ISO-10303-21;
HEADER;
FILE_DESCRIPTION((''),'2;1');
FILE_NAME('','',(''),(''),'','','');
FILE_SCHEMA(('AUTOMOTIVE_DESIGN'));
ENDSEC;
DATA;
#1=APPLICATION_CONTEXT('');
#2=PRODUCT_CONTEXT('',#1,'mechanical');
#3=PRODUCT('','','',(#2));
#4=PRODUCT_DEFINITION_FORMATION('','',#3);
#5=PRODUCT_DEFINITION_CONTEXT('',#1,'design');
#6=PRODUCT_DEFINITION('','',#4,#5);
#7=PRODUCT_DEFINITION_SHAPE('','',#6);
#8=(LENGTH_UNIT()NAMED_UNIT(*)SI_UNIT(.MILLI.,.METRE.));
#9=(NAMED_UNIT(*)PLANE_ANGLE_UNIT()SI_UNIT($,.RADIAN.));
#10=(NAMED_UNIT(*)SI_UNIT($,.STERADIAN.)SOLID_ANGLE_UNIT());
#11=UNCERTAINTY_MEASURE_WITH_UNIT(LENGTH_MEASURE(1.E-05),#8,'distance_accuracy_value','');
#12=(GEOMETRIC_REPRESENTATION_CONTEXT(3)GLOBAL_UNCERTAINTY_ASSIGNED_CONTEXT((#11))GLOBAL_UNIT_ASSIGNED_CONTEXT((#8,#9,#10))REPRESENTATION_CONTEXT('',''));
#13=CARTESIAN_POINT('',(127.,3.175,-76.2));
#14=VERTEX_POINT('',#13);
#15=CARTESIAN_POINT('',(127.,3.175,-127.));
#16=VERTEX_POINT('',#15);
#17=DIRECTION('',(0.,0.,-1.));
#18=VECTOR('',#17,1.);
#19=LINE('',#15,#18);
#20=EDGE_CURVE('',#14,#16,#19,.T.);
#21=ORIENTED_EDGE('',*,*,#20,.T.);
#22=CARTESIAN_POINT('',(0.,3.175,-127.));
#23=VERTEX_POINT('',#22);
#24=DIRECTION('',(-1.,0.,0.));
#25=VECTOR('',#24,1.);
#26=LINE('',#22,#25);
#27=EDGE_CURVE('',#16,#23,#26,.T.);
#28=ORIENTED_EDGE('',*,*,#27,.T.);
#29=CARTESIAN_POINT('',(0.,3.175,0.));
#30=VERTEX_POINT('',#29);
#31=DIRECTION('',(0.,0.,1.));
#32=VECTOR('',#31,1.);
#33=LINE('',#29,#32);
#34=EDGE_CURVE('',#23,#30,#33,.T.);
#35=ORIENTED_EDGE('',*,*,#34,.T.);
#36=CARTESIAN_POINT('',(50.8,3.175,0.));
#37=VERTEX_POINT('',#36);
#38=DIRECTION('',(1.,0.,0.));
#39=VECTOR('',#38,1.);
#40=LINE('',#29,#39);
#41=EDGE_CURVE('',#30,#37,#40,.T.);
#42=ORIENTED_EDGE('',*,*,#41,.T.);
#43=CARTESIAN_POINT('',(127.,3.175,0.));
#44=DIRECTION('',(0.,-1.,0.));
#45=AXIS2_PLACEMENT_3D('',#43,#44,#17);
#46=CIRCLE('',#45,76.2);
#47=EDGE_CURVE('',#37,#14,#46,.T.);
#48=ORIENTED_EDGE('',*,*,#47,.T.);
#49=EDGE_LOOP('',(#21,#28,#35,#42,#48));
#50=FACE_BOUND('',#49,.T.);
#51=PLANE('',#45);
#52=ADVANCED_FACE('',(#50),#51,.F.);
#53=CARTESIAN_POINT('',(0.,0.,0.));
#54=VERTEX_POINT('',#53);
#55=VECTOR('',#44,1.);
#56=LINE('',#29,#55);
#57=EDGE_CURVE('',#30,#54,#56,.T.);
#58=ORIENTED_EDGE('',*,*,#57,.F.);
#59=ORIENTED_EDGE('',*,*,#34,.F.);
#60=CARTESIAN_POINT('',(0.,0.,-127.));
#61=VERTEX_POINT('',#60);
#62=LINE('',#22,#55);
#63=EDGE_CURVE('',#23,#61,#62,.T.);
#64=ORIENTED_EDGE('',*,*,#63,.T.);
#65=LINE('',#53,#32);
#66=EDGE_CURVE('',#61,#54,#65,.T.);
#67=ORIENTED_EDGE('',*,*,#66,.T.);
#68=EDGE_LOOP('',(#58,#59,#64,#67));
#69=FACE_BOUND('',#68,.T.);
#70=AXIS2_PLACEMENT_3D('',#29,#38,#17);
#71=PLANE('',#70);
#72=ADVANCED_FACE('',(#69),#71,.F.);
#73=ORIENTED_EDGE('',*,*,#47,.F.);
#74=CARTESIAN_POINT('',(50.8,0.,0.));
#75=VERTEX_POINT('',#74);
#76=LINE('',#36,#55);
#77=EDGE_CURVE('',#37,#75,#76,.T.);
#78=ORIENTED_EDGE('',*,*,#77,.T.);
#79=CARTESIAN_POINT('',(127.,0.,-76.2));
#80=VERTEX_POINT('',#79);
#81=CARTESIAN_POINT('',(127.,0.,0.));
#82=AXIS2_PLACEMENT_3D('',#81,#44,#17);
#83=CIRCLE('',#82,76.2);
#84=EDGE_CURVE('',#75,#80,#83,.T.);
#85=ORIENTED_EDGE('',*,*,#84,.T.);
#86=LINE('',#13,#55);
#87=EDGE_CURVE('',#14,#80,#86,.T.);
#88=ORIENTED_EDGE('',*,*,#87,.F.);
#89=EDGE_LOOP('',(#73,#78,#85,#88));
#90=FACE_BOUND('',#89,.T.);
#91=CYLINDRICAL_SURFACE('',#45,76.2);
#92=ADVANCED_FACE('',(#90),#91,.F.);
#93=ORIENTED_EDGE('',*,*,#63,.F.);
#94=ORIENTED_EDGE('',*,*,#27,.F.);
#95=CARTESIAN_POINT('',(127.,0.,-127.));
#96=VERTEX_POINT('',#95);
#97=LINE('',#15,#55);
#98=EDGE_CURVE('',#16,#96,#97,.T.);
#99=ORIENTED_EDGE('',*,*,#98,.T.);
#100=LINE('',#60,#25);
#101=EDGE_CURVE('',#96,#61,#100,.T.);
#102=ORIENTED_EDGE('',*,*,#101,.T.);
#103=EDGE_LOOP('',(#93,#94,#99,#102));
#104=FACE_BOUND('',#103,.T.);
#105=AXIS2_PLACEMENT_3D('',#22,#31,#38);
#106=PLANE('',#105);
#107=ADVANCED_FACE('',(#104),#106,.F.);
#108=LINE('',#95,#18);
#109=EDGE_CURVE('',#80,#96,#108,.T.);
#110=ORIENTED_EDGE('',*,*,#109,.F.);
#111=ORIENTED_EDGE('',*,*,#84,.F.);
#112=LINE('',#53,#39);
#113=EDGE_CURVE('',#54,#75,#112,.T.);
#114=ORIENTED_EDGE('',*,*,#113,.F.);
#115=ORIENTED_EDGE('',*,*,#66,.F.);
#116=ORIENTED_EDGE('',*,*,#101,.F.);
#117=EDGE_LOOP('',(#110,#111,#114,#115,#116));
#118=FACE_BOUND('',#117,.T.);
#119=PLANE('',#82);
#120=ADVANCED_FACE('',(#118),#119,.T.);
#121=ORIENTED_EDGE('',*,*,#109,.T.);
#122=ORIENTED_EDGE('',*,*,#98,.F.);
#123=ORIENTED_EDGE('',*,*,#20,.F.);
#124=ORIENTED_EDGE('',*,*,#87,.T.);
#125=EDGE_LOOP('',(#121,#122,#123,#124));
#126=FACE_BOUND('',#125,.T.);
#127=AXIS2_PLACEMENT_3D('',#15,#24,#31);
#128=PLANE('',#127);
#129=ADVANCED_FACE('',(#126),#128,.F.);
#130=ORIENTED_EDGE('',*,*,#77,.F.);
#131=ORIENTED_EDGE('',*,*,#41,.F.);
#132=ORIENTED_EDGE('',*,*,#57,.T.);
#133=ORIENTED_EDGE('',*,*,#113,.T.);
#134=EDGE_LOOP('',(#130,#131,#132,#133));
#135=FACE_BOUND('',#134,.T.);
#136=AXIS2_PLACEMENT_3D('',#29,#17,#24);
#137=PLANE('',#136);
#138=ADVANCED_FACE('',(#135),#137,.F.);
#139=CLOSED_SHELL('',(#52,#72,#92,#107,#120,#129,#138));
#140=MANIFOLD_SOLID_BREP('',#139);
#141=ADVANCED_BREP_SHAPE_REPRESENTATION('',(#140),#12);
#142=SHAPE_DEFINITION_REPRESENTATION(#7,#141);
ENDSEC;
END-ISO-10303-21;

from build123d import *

# Parameters (mm, degrees)
BOSS_EXTRUDE1_DEPTH = 3.175


with BuildPart() as part:
    # Sketch1 → Boss-Extrude1 (new body)
    with BuildSketch(Plane(origin=(0, 0, 0), x_dir=(1, 0, 0), z_dir=(0, 1, 0))):
        with BuildLine():
            Line((0, 0), (0, 127))
            Line((0, 127), (127, 127))
            Line((127, 127), (127, 76.2))
            ThreePointArc((127, 76.2), (73.118463274, 53.881536726), (50.8, 0))
            Line((50.8, 0), (0, 0))
        make_face()
    extrude(amount=BOSS_EXTRUDE1_DEPTH)


solid = part.part
